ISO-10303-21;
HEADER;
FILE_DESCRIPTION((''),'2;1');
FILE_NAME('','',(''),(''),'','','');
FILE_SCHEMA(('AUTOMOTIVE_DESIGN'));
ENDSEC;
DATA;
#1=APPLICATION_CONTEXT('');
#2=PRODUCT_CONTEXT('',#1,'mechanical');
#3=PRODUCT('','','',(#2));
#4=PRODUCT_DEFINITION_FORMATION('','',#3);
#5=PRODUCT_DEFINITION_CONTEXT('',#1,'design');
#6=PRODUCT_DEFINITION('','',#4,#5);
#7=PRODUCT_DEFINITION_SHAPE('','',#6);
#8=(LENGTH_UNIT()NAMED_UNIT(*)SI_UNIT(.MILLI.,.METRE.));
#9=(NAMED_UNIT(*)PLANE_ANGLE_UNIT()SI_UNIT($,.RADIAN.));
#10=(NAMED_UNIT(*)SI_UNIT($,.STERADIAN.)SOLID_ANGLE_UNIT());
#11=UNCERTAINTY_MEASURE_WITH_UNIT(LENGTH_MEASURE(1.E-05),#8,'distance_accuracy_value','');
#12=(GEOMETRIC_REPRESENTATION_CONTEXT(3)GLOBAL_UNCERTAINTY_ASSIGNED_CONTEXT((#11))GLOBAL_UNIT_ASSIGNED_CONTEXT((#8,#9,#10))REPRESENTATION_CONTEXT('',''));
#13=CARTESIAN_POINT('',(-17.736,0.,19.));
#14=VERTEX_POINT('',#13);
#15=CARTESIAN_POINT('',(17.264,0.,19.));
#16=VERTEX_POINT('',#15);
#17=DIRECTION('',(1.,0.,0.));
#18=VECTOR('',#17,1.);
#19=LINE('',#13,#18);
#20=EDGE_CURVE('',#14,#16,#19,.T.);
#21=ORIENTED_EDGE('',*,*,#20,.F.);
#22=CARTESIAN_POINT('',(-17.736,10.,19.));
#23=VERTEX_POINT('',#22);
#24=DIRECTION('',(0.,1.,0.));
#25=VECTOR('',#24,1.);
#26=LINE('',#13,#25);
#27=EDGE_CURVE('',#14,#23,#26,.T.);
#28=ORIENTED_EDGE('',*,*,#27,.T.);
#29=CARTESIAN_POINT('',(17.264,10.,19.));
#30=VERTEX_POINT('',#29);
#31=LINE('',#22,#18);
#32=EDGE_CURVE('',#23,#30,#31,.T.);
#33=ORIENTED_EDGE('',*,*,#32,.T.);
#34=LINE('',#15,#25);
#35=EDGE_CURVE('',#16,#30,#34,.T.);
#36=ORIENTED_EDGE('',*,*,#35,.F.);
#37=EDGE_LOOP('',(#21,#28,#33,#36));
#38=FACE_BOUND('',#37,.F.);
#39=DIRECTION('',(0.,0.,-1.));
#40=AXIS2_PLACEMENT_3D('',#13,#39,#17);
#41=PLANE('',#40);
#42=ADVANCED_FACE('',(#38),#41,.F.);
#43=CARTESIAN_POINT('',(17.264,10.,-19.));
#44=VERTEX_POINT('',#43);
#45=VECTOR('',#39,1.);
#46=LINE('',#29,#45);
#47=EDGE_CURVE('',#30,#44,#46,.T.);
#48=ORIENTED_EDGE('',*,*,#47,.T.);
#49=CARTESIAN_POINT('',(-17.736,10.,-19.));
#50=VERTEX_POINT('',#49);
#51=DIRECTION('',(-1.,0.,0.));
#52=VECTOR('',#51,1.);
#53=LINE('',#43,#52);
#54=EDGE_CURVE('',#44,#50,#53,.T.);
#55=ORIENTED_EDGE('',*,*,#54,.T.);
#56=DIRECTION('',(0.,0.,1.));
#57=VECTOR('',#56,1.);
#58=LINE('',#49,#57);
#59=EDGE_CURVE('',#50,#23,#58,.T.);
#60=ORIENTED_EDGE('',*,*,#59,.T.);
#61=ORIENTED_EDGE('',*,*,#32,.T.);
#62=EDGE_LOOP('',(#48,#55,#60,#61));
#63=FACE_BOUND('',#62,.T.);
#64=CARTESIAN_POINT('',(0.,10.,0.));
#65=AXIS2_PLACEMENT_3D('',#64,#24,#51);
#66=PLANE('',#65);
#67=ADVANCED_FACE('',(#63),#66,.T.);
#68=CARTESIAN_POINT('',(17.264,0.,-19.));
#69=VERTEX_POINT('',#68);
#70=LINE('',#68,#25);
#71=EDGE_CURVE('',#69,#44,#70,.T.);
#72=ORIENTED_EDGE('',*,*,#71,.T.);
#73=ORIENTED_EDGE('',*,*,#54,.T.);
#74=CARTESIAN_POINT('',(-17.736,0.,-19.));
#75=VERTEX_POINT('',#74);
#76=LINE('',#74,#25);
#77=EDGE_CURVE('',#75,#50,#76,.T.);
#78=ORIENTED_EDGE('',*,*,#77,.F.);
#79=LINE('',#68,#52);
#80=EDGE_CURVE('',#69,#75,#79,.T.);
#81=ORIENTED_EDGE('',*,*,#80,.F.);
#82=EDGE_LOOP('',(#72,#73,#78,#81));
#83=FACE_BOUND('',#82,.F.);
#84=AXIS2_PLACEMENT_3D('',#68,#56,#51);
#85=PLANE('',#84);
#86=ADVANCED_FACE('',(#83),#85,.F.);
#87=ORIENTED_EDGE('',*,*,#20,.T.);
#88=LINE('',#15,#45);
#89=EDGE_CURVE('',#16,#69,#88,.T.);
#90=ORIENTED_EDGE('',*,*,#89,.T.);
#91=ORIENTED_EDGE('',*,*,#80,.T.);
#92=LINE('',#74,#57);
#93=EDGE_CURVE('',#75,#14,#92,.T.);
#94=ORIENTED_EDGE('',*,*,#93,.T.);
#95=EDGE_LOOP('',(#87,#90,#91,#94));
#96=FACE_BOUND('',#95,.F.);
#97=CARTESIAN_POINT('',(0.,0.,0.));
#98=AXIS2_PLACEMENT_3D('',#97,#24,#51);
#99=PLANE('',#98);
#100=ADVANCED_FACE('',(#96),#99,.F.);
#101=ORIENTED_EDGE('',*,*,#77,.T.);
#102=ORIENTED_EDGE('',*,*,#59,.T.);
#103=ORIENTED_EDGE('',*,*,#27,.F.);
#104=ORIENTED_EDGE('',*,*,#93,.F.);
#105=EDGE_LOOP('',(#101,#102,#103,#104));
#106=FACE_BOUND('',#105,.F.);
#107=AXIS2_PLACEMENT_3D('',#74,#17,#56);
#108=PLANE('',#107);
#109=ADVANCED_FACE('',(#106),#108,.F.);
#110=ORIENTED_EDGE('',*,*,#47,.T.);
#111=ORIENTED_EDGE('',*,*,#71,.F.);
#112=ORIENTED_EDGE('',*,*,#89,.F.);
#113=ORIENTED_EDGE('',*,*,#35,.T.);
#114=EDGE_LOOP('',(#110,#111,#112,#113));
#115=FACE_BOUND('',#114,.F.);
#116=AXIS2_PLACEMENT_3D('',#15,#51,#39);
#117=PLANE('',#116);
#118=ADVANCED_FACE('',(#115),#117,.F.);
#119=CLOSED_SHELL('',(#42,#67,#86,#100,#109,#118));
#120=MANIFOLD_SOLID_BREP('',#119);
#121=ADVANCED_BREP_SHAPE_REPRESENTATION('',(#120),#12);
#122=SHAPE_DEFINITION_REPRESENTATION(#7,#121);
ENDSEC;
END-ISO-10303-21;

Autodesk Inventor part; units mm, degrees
ref_plane "YZ Plane" through (0, 0, 0) normal (1, 0, 0) x (0, 1, 0)
ref_plane "XZ Plane" through (0, 0, 0) normal (0, 1, 0) x (-1, 0, 0)
ref_plane "XY Plane" through (0, 0, 0) normal (0, 0, 1) x (1, 0, 0)
sketch "スケッチ1" plane through (0, 0, 0) normal (0, 1, 0) x (-1, 0, 0)
  line L0 (17.736, 19) -> (-17.264, 19)
  line L1 (-17.264, 19) -> (-17.264, -19)
  line L2 (-17.264, -19) -> (17.736, -19)
  line L3 (17.736, -19) -> (17.736, 19)
  line L4 (17.736, 19) -> (-17.264, -19) construction
  line L5 (-17.264, 19) -> (17.736, -19) construction
  point P0 (0, 0)
  point P1 (0.236, 0)
  dimension "d0" = 35
  dimension "d1" = 38
  dimension "d2" = 17.264
  dimension "d3" = 19
extrude "押し出し1" add sketch "スケッチ1" along normal blind 10
properties part number "meinnkibann"
